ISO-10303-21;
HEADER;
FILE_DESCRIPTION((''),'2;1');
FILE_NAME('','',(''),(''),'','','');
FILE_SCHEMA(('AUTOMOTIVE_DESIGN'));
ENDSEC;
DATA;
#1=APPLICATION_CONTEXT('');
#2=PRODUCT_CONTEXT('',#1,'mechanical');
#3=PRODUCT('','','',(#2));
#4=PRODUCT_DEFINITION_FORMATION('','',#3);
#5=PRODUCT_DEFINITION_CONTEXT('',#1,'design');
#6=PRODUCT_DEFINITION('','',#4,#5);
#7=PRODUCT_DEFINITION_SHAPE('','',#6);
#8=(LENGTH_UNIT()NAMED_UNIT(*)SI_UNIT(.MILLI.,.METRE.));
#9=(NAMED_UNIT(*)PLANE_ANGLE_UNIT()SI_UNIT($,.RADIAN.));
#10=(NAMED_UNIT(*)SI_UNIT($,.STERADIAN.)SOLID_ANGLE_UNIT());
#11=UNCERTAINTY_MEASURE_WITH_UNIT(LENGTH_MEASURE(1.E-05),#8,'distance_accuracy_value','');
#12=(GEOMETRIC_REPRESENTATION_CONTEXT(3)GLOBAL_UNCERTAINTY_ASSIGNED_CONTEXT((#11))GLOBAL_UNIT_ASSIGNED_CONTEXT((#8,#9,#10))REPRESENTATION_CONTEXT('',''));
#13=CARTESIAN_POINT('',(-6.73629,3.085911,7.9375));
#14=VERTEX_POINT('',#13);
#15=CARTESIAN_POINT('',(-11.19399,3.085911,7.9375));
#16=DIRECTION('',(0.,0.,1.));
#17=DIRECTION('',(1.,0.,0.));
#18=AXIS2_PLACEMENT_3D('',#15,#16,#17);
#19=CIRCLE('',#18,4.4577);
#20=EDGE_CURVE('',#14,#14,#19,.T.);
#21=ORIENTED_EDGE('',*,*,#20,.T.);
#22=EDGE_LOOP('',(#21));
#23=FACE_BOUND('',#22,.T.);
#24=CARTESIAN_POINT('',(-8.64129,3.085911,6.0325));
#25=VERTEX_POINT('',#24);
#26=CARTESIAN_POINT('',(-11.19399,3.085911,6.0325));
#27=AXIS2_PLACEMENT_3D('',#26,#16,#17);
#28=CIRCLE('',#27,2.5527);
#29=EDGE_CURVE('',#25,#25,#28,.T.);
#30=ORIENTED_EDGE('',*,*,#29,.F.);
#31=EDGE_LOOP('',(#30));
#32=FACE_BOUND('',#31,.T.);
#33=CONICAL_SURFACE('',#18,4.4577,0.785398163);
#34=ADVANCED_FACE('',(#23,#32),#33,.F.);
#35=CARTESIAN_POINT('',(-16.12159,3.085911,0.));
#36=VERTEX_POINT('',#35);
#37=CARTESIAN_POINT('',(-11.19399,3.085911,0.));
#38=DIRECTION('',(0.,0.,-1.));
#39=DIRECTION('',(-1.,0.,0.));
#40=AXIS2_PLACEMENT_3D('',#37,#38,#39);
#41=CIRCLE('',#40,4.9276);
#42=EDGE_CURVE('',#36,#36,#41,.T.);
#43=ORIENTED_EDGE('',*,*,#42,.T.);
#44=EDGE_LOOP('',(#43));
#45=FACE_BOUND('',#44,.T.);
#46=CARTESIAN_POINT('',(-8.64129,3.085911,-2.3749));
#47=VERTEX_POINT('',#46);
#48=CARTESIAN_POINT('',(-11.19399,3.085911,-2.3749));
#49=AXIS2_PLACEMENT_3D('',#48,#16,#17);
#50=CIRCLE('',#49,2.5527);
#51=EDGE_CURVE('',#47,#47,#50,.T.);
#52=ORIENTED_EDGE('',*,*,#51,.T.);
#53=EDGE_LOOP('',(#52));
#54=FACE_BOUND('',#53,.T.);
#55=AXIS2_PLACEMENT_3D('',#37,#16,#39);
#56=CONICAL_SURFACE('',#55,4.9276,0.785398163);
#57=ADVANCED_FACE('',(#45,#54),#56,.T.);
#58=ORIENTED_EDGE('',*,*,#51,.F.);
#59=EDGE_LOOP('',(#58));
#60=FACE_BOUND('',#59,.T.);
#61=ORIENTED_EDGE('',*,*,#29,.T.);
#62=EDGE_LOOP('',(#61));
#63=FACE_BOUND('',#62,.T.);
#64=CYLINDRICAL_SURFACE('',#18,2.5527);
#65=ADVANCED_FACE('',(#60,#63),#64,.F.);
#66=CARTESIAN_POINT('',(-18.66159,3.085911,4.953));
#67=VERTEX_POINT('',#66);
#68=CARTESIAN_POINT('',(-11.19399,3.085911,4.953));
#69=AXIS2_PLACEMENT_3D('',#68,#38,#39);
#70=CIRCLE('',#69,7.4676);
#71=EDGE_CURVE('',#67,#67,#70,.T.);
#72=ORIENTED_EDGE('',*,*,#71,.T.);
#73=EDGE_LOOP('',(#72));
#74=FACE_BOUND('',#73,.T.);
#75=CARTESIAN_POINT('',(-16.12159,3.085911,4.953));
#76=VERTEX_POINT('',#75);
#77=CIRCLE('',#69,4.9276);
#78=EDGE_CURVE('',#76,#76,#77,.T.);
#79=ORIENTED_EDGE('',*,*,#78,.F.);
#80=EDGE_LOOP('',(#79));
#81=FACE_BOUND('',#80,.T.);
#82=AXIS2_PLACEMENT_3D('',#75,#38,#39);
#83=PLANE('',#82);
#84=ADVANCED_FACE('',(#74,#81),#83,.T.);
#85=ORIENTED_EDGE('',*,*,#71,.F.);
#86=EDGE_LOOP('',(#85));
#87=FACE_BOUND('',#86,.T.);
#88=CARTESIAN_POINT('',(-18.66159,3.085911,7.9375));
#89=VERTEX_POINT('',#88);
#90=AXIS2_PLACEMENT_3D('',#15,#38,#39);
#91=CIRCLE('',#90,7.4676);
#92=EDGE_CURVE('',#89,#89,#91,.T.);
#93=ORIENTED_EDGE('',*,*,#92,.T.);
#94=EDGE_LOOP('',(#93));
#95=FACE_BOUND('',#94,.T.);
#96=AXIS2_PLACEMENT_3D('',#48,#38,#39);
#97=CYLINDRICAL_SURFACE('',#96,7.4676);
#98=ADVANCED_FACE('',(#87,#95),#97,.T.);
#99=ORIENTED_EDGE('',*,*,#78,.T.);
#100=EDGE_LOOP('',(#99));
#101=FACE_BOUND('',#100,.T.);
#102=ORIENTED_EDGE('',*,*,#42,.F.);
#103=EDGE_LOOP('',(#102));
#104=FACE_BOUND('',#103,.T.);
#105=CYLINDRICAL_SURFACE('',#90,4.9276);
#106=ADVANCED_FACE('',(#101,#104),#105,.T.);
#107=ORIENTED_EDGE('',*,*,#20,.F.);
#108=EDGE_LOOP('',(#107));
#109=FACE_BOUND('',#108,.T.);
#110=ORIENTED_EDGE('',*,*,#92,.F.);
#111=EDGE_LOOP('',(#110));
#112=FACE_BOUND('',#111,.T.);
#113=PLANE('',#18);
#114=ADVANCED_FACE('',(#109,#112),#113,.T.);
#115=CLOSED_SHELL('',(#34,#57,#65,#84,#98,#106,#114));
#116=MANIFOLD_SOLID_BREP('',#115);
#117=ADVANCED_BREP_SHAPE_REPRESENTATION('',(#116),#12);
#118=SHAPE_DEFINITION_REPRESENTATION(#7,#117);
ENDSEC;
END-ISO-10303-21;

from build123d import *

# Parameters (mm, degrees)
SKETCH1_R                         = 4.9276
BOSS_EXTRUDE1_DEPTH               = 7.9375
SKETCH4_R                         = 4.9276
BOSS_EXTRUDE2_DEPTH               = 3.175
BOSS_EXTRUDE2_TAPER               = 45
F_1_4_20_TAPPED_HOLE1_D           = 5.1054
F_1_4_20_TAPPED_HOLE1_DEPTH       = 16.51
F_1_4_20_TAPPED_HOLE1_CSINK_D     = 8.9154
F_1_4_20_TAPPED_HOLE1_CSINK_ANGLE = 90
F_1_4_20_TAPPED_HOLE1_TIP         = 1.533816902
SKETCH5_W                         = 2.54
SKETCH5_H                         = 2.9845


with BuildPart() as part:
    # Sketch1 → Boss-Extrude1 (new body)
    with BuildSketch(Plane.XY):
        with Locations((-11.193990041, 3.085910768)):
            Circle(SKETCH1_R)
    extrude(amount=BOSS_EXTRUDE1_DEPTH)

    # Sketch4 → Boss-Extrude2 (add)
    with BuildSketch(Plane(origin=(0, 0, 0), x_dir=(-1, 0, 0), z_dir=(0, 0, -1))):
        with Locations((11.193990041, 3.085910768)):
            Circle(SKETCH4_R)
    extrude(amount=BOSS_EXTRUDE2_DEPTH, taper=BOSS_EXTRUDE2_TAPER)

    # 1/4-20 Tapped Hole1
    with Locations(Plane.XY.offset(7.9375)):
        with Locations((-11.193990041, 3.085910768)):
            CounterSinkHole(F_1_4_20_TAPPED_HOLE1_D / 2, F_1_4_20_TAPPED_HOLE1_CSINK_D / 2, depth=F_1_4_20_TAPPED_HOLE1_DEPTH, counter_sink_angle=F_1_4_20_TAPPED_HOLE1_CSINK_ANGLE)
            with Locations((0, 0, -(F_1_4_20_TAPPED_HOLE1_DEPTH + F_1_4_20_TAPPED_HOLE1_TIP / 2))):  # 118° drill point
                Cone(0, F_1_4_20_TAPPED_HOLE1_D / 2, F_1_4_20_TAPPED_HOLE1_TIP, mode=Mode.SUBTRACT)

    # Sketch5 → Revolve1 (revolve)
    with BuildSketch(Plane(origin=(0, 3.085910768, 0), x_dir=(1, 0, 0), z_dir=(0, 1, 0))):
        with Locations((-17.391590041, -6.44525)):
            Rectangle(SKETCH5_W, SKETCH5_H)
    revolve(axis=Axis((-11.193990041, 3.085910768, -2.3749), (0, 0, 1)))


solid = part.part
